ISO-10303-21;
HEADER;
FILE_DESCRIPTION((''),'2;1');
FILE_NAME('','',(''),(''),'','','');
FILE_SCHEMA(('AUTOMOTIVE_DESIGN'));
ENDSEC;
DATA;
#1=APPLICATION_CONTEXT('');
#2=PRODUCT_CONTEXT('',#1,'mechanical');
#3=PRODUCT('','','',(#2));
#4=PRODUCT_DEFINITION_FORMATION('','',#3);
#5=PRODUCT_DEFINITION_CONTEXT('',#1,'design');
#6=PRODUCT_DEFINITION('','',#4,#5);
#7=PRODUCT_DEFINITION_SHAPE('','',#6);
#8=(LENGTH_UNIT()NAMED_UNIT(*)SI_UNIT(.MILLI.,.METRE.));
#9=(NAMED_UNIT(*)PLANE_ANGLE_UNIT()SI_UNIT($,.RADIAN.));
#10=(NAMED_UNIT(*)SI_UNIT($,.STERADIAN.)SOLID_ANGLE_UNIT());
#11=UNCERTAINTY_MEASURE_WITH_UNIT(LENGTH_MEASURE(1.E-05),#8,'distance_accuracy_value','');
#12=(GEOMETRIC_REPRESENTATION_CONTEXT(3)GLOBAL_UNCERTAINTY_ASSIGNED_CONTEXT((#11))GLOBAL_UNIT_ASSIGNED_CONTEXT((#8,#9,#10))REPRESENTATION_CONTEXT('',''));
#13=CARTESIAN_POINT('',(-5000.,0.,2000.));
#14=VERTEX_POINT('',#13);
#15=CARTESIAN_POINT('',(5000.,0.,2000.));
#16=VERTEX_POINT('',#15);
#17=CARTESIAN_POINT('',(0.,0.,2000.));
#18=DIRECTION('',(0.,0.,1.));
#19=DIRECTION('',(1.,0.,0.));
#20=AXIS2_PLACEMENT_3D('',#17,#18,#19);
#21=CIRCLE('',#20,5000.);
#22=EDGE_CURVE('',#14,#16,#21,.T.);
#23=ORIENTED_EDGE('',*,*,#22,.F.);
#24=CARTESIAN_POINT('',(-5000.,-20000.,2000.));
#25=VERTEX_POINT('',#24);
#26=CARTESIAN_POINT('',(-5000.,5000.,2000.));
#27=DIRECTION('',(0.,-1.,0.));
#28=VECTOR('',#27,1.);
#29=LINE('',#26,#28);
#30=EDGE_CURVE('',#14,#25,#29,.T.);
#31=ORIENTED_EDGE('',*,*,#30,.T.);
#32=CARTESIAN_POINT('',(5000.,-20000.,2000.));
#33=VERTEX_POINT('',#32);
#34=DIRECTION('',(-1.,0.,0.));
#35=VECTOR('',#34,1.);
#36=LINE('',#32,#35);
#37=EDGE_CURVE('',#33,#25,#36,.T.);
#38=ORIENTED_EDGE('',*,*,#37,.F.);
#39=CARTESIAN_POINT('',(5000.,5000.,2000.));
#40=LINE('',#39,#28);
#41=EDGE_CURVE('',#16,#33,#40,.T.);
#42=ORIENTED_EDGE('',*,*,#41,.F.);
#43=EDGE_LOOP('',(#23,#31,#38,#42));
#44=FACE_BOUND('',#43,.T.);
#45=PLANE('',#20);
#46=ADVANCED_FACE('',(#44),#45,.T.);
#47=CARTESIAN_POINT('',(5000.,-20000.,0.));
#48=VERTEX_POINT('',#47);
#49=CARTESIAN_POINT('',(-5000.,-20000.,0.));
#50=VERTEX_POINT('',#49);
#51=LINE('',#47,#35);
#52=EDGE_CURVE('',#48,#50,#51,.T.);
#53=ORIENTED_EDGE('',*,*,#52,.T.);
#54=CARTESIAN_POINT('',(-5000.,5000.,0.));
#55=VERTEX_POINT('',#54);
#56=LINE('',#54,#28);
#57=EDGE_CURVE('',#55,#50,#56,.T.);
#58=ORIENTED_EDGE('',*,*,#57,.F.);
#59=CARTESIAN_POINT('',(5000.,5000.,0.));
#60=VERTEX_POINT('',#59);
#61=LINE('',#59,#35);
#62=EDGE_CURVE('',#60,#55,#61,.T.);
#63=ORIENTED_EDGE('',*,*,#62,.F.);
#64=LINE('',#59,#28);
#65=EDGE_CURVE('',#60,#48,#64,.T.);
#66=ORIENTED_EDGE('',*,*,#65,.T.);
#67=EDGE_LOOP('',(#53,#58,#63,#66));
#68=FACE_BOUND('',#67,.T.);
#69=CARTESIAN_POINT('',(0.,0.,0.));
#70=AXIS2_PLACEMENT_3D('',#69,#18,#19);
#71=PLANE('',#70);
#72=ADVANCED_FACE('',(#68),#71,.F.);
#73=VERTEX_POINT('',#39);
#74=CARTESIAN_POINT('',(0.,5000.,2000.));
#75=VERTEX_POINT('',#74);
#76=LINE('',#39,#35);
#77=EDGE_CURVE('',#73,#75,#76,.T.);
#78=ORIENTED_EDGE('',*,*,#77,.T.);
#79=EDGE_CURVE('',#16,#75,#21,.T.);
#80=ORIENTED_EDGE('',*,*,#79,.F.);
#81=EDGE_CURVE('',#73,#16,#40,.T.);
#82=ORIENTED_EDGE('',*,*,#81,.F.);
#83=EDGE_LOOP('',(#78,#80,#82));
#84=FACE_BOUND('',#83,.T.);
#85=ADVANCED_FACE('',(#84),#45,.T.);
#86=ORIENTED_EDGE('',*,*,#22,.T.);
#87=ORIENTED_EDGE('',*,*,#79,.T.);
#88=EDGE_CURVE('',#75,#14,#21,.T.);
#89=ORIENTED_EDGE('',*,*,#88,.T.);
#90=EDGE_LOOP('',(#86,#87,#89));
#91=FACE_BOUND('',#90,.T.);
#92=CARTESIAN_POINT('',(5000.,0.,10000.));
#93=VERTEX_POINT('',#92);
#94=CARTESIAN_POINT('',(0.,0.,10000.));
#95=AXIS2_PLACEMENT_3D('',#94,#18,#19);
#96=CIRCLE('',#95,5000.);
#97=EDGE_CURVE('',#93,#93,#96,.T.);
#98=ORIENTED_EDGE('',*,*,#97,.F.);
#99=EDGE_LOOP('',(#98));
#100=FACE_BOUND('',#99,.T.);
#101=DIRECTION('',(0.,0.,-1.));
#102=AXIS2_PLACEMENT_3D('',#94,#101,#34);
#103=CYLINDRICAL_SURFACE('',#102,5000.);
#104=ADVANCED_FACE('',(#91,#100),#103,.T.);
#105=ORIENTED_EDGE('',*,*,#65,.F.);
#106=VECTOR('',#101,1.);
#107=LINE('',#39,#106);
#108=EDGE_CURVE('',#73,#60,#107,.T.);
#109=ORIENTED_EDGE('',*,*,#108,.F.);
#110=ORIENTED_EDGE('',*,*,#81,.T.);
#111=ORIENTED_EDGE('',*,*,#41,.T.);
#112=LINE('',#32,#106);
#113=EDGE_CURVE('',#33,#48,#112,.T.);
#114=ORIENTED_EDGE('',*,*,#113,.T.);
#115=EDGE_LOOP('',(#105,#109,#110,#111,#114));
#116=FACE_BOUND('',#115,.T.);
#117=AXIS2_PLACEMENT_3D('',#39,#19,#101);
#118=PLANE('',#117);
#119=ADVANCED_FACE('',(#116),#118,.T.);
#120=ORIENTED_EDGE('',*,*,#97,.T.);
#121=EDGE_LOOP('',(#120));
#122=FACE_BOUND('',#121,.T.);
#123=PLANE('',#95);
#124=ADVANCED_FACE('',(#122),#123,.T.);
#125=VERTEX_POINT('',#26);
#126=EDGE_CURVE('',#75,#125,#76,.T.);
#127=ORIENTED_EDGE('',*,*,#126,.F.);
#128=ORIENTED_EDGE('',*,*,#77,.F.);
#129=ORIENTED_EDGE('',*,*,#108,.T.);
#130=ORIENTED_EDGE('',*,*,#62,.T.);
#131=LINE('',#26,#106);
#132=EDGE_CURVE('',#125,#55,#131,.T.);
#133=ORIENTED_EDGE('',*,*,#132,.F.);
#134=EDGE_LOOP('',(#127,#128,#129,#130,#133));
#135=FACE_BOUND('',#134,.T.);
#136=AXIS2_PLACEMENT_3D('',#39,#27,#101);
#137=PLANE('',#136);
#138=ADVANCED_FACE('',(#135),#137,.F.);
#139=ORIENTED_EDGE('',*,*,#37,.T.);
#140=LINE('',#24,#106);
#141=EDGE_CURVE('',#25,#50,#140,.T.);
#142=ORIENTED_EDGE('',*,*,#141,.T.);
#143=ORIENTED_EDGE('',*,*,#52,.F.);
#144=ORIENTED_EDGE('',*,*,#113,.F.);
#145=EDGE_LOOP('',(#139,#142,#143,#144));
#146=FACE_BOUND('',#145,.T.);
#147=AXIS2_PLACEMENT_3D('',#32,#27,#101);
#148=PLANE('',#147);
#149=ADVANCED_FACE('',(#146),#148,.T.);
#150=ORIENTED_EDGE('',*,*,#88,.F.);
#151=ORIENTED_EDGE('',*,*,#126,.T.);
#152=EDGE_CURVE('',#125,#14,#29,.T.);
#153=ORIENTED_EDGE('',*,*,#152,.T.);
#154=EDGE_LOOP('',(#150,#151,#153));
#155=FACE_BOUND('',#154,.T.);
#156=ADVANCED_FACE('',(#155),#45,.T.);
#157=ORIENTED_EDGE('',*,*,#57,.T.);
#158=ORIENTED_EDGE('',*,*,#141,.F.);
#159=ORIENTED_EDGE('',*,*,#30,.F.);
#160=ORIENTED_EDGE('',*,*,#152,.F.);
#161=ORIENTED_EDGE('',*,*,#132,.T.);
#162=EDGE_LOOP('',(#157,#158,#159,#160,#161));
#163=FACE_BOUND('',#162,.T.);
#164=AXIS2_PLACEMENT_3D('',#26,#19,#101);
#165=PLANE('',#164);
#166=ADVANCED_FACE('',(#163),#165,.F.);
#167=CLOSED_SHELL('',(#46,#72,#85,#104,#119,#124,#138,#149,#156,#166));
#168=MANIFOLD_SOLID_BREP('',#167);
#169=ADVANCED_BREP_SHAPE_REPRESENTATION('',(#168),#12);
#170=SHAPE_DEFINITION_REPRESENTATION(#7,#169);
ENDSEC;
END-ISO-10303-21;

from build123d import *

# Parameters (mm, degrees)
SKETCH1_R           = 5000
BOSS_EXTRUDE4_DEPTH = 10000
SKETCH1_5_W         = 10000
SKETCH1_5_H         = 25000
BOSS_EXTRUDE5_DEPTH = 2000


with BuildPart() as part:
    # Sketch1 → Boss-Extrude4 (new body)
    with BuildSketch(Plane.XY):
        Circle(SKETCH1_R)
    extrude(amount=BOSS_EXTRUDE4_DEPTH)

    # Sketch1<5> → Boss-Extrude5 (add)
    with BuildSketch(Plane.XY):
        with Locations((0, -7500)):
            Rectangle(SKETCH1_5_W, SKETCH1_5_H)
    extrude(amount=BOSS_EXTRUDE5_DEPTH)


solid = part.part
